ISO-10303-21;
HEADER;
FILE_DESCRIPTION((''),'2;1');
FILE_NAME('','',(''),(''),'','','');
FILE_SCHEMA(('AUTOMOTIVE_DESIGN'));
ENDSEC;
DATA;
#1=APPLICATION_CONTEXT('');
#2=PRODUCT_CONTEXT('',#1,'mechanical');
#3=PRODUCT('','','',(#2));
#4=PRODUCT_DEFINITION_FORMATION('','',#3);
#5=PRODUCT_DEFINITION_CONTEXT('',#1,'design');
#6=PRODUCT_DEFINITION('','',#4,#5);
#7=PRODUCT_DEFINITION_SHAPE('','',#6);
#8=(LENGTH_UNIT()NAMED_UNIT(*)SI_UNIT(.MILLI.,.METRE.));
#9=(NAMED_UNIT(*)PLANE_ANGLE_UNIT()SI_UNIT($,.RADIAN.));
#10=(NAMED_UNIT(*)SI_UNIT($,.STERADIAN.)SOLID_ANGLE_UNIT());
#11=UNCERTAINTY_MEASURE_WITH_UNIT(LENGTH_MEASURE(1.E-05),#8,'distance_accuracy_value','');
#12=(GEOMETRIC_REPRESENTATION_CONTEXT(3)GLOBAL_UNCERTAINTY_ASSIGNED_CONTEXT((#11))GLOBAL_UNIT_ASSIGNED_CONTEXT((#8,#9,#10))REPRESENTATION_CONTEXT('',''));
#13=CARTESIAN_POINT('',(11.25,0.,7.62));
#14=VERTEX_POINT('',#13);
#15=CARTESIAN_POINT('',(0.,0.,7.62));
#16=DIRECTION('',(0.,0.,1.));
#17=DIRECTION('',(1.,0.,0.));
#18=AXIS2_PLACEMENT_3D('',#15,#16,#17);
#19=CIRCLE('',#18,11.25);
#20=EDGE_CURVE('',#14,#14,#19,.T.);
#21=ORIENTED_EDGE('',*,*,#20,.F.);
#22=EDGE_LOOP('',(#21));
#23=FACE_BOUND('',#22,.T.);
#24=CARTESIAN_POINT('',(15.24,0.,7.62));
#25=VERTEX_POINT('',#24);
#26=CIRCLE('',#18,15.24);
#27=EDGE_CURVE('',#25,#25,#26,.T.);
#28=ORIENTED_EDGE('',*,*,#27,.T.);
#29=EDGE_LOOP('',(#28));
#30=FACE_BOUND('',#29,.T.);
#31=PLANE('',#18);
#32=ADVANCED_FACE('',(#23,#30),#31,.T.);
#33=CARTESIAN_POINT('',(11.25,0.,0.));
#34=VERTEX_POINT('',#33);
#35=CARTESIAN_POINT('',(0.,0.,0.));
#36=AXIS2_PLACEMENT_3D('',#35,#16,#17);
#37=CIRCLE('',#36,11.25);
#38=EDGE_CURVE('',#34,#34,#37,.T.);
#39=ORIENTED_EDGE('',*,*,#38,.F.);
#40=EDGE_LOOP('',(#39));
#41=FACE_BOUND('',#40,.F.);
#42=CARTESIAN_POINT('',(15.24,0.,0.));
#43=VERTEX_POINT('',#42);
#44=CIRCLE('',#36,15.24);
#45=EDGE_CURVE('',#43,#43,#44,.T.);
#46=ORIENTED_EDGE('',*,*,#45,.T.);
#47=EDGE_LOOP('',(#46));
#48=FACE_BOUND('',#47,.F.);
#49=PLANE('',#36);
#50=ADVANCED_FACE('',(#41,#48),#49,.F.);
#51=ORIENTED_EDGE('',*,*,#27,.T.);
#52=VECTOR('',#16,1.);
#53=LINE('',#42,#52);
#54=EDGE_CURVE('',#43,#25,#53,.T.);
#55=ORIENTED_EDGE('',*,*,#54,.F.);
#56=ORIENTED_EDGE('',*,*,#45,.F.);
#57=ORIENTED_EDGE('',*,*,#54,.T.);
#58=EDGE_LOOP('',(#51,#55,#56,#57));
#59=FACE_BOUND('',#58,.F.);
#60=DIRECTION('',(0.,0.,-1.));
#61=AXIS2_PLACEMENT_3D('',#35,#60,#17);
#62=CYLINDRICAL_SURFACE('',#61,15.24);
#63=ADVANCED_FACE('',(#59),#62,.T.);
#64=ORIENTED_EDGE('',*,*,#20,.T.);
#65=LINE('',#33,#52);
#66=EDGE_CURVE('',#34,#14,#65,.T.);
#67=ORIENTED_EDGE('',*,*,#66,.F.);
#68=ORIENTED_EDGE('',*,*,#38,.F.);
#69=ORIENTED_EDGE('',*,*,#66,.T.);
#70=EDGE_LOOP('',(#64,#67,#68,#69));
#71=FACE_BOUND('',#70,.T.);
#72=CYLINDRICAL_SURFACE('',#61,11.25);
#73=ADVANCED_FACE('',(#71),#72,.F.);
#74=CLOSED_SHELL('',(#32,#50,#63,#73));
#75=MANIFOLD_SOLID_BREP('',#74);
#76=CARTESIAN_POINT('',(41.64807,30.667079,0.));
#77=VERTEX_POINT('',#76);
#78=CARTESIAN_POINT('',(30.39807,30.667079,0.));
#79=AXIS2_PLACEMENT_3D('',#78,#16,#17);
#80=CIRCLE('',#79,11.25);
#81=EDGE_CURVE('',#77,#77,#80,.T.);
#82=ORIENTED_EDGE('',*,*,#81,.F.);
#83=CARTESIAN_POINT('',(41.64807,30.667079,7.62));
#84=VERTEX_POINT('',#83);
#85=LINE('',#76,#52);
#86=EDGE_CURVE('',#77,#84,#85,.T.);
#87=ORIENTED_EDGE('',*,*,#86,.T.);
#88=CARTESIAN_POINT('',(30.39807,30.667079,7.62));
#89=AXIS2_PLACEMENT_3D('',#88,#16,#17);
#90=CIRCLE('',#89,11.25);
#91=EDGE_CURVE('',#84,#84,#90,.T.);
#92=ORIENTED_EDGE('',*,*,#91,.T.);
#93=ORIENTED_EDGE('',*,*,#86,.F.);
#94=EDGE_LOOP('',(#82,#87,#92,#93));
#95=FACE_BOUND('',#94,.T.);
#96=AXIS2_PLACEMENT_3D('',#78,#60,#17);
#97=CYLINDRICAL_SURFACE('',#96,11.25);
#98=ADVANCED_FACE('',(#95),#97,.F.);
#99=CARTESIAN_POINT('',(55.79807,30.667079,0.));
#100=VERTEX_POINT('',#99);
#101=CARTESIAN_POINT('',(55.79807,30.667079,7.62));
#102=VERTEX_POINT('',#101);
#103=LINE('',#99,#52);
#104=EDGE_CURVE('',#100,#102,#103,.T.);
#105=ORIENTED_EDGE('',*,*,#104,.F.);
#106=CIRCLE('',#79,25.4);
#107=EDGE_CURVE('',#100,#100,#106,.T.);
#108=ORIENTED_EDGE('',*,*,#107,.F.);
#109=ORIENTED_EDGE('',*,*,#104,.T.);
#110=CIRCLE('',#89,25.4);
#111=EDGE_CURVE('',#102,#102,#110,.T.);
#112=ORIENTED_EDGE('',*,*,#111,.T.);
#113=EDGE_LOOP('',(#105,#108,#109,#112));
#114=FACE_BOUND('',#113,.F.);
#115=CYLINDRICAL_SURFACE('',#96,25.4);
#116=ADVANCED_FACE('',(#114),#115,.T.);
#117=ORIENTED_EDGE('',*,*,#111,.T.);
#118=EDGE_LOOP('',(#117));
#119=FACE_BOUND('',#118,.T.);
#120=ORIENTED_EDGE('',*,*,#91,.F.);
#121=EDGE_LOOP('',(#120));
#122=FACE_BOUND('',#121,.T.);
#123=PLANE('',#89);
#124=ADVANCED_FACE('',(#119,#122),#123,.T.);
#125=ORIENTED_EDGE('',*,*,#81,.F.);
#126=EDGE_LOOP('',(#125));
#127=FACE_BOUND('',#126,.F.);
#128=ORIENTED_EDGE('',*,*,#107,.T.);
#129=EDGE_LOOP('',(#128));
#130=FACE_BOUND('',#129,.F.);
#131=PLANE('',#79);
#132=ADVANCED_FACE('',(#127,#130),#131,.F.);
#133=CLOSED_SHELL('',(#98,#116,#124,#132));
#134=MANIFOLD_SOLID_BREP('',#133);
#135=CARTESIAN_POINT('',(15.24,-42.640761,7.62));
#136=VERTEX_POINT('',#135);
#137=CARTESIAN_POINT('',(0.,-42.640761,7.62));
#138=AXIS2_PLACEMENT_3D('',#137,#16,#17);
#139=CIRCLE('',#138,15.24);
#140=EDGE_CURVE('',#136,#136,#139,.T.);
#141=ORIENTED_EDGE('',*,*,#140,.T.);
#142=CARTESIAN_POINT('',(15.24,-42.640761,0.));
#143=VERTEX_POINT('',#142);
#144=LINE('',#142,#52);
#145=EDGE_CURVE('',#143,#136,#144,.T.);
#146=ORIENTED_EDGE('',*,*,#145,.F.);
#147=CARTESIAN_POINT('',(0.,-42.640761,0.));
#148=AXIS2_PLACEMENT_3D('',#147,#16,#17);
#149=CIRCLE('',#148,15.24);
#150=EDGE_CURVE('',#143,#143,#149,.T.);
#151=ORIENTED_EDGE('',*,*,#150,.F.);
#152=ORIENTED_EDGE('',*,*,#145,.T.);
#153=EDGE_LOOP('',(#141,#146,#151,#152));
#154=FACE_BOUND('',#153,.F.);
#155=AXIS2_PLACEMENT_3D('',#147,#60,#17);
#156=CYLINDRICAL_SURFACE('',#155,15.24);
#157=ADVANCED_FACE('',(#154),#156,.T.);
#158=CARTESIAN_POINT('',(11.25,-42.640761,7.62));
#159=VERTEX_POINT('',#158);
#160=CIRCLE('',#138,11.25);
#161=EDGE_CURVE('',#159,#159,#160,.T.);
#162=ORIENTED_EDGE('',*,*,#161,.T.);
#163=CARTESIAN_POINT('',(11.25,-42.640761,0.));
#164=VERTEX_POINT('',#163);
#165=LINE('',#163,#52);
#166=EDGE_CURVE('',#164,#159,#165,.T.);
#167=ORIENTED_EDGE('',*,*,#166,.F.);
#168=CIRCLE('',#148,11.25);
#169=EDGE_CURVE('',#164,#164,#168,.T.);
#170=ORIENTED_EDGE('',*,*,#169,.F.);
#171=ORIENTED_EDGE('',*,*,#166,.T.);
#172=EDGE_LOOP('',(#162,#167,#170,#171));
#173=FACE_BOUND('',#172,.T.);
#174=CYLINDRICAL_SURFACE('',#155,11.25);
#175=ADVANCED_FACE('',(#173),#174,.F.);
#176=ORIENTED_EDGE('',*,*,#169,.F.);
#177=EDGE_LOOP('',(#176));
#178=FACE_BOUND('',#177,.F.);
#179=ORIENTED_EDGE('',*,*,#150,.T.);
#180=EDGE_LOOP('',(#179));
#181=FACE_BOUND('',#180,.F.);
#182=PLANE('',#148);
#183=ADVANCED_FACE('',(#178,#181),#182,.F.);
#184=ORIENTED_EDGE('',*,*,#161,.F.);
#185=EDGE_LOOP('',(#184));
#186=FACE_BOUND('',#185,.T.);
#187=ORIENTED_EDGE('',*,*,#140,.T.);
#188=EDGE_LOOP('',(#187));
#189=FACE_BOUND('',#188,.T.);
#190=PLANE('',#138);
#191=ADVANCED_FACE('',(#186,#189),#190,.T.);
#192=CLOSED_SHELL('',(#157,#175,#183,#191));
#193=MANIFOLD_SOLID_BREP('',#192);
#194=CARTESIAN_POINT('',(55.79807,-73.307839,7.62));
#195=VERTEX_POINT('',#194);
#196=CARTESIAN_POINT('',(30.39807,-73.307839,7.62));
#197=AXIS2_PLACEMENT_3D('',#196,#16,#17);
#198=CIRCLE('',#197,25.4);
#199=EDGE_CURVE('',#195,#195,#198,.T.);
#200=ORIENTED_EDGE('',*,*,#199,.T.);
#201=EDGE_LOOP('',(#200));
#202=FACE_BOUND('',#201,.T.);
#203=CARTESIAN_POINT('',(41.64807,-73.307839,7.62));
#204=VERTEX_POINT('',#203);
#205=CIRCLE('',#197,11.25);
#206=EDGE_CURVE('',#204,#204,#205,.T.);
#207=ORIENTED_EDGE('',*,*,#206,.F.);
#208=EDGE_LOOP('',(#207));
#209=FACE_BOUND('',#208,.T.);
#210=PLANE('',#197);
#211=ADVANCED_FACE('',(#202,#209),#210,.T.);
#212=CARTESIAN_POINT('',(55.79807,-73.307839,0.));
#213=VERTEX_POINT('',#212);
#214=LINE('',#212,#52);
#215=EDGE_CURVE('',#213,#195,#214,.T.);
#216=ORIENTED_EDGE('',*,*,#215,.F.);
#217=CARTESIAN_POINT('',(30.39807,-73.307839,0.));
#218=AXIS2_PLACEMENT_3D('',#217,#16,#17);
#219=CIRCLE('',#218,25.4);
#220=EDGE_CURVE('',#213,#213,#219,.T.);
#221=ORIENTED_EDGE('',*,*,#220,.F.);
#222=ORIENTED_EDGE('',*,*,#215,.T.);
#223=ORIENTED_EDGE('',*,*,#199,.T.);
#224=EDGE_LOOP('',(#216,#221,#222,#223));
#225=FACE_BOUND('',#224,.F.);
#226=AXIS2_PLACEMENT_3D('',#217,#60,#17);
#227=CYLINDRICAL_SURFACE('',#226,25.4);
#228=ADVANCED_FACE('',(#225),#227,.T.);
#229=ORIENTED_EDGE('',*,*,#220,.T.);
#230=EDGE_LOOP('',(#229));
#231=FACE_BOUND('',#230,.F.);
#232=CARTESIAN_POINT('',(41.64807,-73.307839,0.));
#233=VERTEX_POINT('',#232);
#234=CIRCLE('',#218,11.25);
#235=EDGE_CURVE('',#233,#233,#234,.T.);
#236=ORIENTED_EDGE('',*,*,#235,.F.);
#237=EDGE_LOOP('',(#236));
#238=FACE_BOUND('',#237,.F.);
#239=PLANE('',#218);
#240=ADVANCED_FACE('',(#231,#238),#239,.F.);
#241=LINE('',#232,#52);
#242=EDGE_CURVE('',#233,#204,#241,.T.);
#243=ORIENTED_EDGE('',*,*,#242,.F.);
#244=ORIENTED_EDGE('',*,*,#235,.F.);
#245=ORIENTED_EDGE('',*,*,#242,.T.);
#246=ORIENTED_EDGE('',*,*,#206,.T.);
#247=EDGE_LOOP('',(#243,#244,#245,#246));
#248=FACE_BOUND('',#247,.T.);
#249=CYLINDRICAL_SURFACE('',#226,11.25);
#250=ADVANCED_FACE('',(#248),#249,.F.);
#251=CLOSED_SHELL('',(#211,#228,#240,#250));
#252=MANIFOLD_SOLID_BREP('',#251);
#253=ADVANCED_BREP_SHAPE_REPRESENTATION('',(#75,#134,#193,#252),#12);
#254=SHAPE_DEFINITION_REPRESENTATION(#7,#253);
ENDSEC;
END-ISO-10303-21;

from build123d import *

# Parameters (mm, degrees)
F0_R     = 15.24
F0_R_2   = 11.25
F0_R_3   = 25.4
F1_DEPTH = 7.62


with BuildPart() as f1:
    # F0 (on Top) → F1 (new body)
    with BuildSketch(Plane.XY):
        Circle(F0_R)
        Circle(F0_R_2, mode=Mode.SUBTRACT)
        with Locations((30.39807, 30.667079)):
            Circle(F0_R_3)
        with Locations((30.39807, 30.667079)):
            Circle(F0_R_2, mode=Mode.SUBTRACT)
        with Locations((0, -42.640761)):
            Circle(F0_R)
        with Locations((0, -42.640761)):
            Circle(F0_R_2, mode=Mode.SUBTRACT)
        with Locations((30.39807, -73.307839)):
            Circle(F0_R_3)
        with Locations((30.39807, -73.307839)):
            Circle(F0_R_2, mode=Mode.SUBTRACT)
    extrude(amount=F1_DEPTH)


solid = f1.part
